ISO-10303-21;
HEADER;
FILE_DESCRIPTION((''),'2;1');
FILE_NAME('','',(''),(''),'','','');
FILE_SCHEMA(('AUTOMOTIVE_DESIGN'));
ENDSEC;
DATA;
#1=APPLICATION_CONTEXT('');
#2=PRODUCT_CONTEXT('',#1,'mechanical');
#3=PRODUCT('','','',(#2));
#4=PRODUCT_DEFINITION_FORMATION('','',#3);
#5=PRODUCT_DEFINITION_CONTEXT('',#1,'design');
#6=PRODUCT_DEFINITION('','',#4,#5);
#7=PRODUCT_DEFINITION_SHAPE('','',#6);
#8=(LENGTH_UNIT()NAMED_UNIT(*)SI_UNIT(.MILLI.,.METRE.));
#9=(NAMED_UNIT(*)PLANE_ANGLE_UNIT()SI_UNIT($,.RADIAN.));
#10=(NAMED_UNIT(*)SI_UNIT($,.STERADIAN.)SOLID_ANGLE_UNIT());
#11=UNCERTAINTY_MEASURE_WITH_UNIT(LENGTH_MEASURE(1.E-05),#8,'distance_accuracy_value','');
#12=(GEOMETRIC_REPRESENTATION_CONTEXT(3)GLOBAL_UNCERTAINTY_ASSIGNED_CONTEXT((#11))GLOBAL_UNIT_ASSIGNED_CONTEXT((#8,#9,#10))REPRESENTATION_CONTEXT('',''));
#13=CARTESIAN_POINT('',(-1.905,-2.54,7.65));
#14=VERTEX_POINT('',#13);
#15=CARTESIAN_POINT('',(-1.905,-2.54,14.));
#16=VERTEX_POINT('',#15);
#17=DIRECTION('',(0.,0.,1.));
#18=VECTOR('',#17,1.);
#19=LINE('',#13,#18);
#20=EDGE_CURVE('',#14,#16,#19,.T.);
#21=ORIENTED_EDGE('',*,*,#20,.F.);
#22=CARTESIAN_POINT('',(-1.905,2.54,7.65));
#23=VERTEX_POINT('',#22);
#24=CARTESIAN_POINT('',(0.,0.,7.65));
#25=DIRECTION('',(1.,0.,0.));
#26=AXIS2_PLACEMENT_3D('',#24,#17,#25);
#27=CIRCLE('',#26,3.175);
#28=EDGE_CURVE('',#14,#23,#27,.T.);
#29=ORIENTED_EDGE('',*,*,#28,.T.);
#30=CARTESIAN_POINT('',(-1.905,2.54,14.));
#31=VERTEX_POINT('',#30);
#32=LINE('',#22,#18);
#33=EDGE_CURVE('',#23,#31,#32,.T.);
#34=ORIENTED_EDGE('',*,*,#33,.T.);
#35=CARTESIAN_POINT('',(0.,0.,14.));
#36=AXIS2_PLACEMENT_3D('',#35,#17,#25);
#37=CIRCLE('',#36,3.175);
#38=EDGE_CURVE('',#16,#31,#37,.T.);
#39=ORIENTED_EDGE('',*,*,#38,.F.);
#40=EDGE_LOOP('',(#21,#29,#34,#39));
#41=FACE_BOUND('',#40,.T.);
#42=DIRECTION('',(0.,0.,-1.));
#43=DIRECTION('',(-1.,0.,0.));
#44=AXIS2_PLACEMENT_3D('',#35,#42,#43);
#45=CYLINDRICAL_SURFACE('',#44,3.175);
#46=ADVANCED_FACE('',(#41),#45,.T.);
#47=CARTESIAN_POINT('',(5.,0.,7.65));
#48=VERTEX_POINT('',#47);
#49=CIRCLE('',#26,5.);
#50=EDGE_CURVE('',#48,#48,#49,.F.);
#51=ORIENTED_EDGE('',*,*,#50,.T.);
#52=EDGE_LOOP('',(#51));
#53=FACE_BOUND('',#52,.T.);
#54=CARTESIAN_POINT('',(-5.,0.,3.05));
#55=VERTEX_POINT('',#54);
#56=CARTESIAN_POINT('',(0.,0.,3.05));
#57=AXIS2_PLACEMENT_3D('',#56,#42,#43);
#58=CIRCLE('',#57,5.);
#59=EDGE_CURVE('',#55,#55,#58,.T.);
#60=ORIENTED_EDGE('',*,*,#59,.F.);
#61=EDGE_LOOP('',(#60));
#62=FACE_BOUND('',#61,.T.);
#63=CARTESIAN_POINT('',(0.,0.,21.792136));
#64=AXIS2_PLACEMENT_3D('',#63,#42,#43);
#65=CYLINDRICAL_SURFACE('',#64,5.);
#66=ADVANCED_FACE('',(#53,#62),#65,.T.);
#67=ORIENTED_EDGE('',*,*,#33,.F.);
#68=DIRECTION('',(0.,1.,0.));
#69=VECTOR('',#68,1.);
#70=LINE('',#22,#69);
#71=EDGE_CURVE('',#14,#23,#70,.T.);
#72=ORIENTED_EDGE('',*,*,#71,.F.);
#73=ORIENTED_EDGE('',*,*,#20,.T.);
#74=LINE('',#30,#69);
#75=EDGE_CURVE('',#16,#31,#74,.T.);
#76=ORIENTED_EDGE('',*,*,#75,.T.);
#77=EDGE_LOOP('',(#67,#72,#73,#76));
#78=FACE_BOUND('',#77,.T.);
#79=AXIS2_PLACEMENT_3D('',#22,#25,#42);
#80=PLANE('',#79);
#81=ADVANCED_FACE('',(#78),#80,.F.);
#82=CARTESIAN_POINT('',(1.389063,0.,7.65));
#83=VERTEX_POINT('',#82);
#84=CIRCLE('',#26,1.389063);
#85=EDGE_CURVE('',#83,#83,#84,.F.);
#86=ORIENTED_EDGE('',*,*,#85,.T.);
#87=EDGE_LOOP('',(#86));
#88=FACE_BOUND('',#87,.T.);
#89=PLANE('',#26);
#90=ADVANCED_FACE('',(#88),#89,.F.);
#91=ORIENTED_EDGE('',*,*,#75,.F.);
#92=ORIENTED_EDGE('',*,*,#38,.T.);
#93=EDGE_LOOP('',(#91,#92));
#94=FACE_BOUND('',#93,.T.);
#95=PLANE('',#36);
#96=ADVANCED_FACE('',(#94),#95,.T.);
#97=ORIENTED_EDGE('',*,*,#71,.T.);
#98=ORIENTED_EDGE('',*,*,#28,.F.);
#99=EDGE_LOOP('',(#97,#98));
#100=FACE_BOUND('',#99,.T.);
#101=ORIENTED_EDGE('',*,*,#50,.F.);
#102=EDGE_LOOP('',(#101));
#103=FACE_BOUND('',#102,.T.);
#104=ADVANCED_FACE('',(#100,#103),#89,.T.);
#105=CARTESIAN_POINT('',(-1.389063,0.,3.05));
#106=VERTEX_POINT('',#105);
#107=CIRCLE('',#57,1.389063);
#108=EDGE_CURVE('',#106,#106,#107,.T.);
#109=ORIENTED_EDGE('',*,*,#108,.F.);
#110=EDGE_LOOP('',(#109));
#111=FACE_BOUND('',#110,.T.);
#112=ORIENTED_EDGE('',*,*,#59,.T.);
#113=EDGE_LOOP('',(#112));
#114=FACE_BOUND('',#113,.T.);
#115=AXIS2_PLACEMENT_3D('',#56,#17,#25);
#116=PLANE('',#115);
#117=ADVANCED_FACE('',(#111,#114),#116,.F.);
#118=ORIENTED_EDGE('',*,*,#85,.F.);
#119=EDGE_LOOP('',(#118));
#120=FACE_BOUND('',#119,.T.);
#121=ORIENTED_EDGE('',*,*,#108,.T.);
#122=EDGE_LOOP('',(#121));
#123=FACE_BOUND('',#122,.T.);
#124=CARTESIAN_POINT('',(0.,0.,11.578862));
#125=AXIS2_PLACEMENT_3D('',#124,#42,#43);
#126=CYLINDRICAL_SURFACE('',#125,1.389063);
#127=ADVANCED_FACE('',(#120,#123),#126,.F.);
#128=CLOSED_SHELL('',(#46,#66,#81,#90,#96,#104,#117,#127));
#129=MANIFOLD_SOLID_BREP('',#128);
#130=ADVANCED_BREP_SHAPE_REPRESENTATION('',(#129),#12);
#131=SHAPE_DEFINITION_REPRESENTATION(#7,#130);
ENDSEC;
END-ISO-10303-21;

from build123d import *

# Parameters (mm, degrees)
SKETCH1_R           = 3.175
BOSS_EXTRUDE1_DEPTH = 14
CUT_EXTRUDE2_START  = -6.35
CUT_EXTRUDE2_DEPTH  = 6.35
SKETCH7_R           = 3.175
CUT_EXTRUDE4_DEPTH  = 3.05
SKETCH9_R           = 5
SKETCH9_R_2         = 1.3890625
BOSS_EXTRUDE2_DEPTH = 4.6
SKETCH9_3_R         = 1.3890625
CUT_EXTRUDE5_DEPTH  = 4.6


with BuildPart() as part:
    # Sketch1 → Boss-Extrude1 (new body)
    with BuildSketch(Plane.XY):
        Circle(SKETCH1_R)
    extrude(amount=BOSS_EXTRUDE1_DEPTH)

    # Sketch2 → Cut-Extrude2 (cut)
    with BuildSketch(Plane.XY.offset(14).offset(CUT_EXTRUDE2_START)):
        with BuildLine():
            Line((-1.905, 2.54), (-1.905, -2.54))
            ThreePointArc((-1.905, -2.54), (-3.175, 0), (-1.905, 2.54))
        make_face()
    extrude(amount=CUT_EXTRUDE2_DEPTH, mode=Mode.SUBTRACT)

    # Sketch7 → Cut-Extrude4 (cut)
    with BuildSketch(Plane(origin=(0, 0, 0), x_dir=(-1, 0, 0), z_dir=(0, 0, -1))):
        with Locations(Location((0, 0, 0), (0, 0, 306.869897646))):
            Circle(SKETCH7_R)
    extrude(amount=-CUT_EXTRUDE4_DEPTH, mode=Mode.SUBTRACT)

    # Sketch9 → Boss-Extrude2 (add)
    with BuildSketch(Plane(origin=(0, 0, 3.05), x_dir=(-1, 0, 0), z_dir=(0, 0, -1))):
        Circle(SKETCH9_R)
        Circle(SKETCH9_R_2, mode=Mode.SUBTRACT)
    extrude(amount=-BOSS_EXTRUDE2_DEPTH)

    # Sketch9<3> → Cut-Extrude5 (cut)
    with BuildSketch(Plane(origin=(0, 0, 3.05), x_dir=(-1, 0, 0), z_dir=(0, 0, -1))):
        Circle(SKETCH9_3_R)
    extrude(amount=-CUT_EXTRUDE5_DEPTH, mode=Mode.SUBTRACT)


solid = part.part
